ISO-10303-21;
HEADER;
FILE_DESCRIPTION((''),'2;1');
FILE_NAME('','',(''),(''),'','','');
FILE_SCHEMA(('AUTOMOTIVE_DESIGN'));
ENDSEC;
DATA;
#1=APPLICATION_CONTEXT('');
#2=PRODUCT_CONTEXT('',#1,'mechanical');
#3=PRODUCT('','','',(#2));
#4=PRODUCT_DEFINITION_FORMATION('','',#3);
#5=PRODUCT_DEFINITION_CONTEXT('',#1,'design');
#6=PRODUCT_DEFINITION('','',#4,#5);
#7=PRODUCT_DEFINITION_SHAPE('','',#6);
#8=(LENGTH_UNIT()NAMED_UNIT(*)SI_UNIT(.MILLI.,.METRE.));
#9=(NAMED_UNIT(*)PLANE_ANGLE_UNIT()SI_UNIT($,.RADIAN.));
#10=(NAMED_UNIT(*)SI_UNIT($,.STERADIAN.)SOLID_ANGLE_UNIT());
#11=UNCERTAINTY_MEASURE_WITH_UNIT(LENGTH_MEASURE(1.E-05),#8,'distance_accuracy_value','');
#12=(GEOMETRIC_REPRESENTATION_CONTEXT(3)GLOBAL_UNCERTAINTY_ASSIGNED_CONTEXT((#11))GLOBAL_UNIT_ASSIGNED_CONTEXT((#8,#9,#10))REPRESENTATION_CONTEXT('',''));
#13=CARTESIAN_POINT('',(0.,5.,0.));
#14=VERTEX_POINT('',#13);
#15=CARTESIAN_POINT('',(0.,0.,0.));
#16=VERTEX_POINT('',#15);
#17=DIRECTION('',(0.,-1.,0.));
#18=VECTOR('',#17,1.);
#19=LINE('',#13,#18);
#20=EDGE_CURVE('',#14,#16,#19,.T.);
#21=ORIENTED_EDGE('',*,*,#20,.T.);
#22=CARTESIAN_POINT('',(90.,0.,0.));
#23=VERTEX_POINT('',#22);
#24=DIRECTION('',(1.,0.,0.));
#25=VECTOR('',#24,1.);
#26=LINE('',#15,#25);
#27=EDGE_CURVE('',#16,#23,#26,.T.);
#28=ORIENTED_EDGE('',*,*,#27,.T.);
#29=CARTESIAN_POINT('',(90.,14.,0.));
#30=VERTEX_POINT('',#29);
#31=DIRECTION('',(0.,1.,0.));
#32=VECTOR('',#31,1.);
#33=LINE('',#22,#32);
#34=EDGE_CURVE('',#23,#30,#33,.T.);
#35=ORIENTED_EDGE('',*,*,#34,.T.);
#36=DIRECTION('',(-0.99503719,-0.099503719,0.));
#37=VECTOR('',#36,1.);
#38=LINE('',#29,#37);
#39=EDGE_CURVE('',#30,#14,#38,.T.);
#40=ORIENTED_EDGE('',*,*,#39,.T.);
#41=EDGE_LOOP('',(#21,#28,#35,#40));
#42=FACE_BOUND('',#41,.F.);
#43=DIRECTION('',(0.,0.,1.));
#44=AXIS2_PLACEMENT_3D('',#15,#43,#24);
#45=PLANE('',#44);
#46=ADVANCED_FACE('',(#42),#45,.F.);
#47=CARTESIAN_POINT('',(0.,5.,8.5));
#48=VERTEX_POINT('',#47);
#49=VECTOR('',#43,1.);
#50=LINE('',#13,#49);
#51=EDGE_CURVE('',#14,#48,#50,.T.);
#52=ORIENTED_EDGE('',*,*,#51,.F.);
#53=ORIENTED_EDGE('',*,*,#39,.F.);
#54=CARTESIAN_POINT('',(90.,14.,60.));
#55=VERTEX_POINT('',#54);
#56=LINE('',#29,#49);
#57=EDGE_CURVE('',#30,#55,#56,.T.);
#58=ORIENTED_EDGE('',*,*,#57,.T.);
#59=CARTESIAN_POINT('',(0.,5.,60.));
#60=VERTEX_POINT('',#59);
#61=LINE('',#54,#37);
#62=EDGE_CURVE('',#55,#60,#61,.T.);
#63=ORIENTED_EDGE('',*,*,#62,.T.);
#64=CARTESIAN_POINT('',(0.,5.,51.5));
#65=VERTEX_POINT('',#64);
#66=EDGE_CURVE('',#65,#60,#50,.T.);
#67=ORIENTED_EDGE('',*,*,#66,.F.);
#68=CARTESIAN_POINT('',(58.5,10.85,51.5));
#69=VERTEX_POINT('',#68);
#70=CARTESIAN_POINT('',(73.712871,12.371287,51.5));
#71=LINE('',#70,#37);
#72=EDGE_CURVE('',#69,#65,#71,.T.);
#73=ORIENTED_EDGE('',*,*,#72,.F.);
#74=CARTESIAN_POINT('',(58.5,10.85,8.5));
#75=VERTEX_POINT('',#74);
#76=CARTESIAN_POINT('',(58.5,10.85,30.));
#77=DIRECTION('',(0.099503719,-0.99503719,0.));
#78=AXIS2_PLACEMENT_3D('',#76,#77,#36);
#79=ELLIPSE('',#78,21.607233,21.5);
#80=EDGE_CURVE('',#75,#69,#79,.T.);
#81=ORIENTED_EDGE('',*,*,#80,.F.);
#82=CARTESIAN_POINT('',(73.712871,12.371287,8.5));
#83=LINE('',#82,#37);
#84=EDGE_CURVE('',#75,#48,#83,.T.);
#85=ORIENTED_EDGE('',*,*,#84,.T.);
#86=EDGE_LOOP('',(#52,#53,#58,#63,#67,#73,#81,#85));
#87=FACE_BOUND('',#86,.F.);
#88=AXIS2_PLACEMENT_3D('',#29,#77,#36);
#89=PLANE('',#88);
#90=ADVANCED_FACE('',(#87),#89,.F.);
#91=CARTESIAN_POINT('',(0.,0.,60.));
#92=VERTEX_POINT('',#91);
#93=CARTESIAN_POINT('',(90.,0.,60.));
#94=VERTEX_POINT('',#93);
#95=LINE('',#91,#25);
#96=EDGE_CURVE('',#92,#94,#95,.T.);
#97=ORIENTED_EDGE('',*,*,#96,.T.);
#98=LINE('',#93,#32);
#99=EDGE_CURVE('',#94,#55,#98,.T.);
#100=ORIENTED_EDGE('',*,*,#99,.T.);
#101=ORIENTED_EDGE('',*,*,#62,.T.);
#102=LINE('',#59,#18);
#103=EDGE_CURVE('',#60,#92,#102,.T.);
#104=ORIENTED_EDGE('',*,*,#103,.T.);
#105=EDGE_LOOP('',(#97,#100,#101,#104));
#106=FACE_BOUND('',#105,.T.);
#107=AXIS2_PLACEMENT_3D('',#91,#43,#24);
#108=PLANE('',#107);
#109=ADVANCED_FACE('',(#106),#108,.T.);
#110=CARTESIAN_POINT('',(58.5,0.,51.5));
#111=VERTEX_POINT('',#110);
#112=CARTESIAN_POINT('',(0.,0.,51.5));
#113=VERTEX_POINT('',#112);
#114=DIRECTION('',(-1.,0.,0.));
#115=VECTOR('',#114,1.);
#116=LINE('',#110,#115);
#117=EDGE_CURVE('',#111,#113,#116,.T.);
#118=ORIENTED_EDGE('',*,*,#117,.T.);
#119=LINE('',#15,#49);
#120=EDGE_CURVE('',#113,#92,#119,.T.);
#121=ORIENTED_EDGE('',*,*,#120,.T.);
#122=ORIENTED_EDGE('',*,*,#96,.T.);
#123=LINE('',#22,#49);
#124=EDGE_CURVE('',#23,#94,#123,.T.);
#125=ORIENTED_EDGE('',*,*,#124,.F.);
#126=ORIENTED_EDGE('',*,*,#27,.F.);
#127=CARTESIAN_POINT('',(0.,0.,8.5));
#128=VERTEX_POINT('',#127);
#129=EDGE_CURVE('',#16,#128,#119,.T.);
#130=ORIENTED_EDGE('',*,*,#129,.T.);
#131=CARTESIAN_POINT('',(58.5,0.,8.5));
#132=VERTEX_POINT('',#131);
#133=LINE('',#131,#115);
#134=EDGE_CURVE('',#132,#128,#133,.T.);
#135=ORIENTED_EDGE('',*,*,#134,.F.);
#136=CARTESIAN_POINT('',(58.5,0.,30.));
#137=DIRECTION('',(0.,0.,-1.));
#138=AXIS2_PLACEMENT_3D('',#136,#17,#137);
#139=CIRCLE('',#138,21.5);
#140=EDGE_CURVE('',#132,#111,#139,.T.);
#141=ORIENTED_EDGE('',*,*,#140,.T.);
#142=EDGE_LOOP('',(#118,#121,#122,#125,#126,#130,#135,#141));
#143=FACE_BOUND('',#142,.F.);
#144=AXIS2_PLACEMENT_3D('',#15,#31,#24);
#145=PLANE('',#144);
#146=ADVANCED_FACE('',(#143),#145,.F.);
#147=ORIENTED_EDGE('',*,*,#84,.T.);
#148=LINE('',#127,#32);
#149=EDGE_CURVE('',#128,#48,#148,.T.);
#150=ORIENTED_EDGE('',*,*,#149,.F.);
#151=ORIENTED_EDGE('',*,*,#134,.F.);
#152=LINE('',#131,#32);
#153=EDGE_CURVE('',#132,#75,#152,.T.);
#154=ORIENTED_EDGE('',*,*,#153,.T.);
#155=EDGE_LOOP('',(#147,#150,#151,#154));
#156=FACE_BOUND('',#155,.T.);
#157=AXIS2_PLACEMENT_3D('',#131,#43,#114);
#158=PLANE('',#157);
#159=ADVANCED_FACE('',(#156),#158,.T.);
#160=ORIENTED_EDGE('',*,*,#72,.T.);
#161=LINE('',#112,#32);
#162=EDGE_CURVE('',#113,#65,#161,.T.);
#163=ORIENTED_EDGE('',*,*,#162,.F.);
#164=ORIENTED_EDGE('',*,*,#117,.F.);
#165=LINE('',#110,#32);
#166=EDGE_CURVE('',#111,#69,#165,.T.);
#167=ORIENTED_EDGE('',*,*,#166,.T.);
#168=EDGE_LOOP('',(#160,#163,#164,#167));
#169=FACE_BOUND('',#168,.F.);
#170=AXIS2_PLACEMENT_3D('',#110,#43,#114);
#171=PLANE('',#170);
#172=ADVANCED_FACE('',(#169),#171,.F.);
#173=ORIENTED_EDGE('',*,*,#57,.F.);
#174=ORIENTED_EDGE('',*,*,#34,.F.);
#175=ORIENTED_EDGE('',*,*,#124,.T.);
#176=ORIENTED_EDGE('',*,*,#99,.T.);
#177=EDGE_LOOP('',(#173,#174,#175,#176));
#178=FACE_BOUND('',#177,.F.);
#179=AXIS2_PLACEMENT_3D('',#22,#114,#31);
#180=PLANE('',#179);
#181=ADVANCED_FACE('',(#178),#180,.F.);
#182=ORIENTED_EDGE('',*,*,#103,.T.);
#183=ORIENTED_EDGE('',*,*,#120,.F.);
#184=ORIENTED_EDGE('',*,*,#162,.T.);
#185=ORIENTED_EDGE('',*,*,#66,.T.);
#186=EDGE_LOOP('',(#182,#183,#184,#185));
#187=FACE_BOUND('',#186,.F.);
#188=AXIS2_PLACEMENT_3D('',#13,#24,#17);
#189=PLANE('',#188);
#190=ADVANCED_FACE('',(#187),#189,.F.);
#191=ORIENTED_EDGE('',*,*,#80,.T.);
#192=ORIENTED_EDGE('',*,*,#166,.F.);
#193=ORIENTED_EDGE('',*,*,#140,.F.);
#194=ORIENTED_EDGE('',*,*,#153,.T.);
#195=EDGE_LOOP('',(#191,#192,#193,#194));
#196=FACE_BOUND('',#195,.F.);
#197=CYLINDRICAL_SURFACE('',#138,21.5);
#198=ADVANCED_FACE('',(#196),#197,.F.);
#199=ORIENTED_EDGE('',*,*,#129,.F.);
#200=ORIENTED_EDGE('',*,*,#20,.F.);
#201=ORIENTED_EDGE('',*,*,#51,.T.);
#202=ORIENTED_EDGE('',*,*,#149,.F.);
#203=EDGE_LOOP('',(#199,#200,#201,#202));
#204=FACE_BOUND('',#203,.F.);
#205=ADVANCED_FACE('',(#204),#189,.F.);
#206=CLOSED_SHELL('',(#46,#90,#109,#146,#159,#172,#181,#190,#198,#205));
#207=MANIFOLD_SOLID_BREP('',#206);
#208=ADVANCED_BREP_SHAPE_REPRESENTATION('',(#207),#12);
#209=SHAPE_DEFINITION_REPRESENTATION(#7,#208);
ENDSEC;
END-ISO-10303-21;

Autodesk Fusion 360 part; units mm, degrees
sketch "Sketch1" plane through (0, 0, 0) normal (0, 0, 1) x (1, 0, 0)
  line L0 (0, 0) -> (90, 0)
  line L1 (90, 0) -> (90, 14)
  line L2 (90, 14) -> (0, 5)
  line L3 (0, 5) -> (0, 0)
  dimension "d1" = 5
  dimension "d2" = 14
  dimension "d3" = 90
extrude "Extrude1" add sketch "Sketch1" along normal blind 60
sketch "Sketch2" plane through (0, 0, 0) normal (0, -1, 0) x (1, 0, 0)
  line L0 (0, 0) -> (90, 0)
  line L1 (90, 0) -> (90, 60)
  line L2 (90, 60) -> (0, 60)
  line L3 (0, 60) -> (0, 0)
  line L4 (0, 30) -> (90, 30) construction
  line L5 (58.5, 51.5) -> (0, 51.5)
  line L6 (58.5, 8.5) -> (0, 8.5)
  arc A0 (58.5, 8.5) -> (58.5, 51.5) centre (58.5, 30) ccw
  dimension "d6" = 43
  dimension "d8" = 10
extrude "Extrude2" cut sketch "Sketch2" against normal blind 46.857 contours L3 L5 L6 A0
